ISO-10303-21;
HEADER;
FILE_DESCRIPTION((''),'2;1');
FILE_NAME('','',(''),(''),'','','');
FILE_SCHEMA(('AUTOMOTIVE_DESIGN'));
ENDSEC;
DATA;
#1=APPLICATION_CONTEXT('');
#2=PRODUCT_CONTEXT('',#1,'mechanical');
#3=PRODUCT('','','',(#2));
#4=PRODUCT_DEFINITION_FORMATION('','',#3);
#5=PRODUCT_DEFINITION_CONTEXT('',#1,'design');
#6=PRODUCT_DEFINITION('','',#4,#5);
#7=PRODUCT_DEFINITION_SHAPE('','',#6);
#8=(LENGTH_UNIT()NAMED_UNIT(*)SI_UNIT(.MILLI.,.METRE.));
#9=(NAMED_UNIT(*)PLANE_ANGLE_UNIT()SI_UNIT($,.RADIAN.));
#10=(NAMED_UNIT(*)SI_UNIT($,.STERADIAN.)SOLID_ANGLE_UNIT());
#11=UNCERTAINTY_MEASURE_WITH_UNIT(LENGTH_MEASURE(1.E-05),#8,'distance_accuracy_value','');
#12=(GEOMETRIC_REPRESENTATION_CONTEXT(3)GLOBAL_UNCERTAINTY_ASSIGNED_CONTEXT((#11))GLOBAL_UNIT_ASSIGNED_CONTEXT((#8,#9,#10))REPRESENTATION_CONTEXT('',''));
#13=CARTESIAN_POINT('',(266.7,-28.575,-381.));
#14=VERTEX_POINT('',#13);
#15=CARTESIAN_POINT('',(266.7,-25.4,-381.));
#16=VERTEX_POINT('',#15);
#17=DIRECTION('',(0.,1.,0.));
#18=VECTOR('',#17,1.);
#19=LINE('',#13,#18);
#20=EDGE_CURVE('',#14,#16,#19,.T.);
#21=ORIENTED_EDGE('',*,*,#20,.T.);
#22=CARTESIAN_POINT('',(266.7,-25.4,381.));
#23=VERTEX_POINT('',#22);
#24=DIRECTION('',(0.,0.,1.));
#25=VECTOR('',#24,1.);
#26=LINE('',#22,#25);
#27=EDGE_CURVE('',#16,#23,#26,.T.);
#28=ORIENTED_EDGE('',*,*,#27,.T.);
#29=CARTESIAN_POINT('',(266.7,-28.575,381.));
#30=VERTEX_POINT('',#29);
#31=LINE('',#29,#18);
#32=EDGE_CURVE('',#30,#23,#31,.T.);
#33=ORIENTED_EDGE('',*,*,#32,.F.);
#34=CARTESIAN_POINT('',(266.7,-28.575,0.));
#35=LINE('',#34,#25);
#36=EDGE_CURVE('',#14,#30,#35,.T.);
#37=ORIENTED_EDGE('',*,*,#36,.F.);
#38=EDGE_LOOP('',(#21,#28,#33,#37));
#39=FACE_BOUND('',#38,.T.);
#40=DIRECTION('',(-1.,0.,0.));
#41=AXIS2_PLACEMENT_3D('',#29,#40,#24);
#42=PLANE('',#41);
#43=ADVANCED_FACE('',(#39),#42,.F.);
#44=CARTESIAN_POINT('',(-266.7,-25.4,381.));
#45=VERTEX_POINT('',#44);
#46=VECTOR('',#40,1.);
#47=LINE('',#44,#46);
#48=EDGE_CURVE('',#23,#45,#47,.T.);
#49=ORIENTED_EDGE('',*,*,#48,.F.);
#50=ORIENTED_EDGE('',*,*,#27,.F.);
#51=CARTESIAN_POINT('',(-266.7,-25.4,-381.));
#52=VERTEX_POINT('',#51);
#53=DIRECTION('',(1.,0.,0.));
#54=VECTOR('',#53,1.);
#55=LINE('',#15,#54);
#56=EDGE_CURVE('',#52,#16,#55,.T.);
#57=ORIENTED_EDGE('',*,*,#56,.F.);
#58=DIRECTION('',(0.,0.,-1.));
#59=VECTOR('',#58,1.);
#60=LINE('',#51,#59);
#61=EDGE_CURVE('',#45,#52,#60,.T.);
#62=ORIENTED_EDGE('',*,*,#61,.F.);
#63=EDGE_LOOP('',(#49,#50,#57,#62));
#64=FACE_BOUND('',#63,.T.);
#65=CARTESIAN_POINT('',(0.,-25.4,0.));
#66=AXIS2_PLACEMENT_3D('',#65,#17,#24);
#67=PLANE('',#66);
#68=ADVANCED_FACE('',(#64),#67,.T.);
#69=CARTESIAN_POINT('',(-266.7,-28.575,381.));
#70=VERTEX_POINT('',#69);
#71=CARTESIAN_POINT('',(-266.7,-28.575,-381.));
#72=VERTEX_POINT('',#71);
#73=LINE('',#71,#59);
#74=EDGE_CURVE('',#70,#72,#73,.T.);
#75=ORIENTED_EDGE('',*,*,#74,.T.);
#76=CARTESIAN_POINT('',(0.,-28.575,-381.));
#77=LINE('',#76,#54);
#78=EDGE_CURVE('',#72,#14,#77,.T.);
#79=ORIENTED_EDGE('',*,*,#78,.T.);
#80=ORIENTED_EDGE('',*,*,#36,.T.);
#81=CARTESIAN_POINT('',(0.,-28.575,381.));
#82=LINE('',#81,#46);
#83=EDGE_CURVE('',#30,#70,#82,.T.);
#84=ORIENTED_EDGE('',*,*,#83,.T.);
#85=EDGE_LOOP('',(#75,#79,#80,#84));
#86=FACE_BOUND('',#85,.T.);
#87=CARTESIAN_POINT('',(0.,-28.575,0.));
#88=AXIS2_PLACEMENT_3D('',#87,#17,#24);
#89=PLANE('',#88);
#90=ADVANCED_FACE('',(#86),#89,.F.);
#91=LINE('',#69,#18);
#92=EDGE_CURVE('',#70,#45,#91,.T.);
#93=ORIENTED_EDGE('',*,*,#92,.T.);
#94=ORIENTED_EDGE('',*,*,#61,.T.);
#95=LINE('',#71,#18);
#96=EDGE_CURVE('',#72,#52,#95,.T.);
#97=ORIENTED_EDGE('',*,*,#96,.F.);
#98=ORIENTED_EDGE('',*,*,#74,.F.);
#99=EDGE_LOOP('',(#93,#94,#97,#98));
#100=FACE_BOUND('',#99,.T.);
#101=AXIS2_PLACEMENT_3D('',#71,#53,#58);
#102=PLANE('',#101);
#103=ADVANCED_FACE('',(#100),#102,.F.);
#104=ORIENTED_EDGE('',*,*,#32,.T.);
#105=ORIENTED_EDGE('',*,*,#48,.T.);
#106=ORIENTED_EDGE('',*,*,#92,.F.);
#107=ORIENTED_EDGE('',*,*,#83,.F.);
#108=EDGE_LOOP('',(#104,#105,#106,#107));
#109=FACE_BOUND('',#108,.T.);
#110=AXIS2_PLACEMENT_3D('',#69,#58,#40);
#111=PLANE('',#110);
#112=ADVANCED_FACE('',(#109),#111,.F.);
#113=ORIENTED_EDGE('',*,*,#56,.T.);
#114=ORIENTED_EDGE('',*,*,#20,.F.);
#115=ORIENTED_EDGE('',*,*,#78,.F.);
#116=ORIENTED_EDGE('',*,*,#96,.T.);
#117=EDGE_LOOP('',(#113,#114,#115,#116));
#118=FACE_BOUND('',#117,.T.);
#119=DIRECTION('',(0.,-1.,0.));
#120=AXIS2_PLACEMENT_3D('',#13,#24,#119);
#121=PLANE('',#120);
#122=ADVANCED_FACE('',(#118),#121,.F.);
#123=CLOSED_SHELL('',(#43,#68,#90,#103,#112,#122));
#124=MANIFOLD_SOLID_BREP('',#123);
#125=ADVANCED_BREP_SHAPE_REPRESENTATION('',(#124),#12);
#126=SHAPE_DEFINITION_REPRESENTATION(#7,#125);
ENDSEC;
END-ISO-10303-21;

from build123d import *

# Parameters (mm, degrees)
BOSS_EXTRUDE1_DEPTH = 3.175


with BuildPart() as part:
    # Sketch1 → Boss-Extrude1 (new body)
    with BuildSketch(Plane(origin=(0, -25.4, 0), x_dir=(-1, 0, 0), z_dir=(0, -1, 0))):
        Polygon((-266.7, -381), (-266.7, 0), (-266.7, 381), (0, 381), (266.7, 381), (266.7, -381), (0, -381), align=None)
    extrude(amount=BOSS_EXTRUDE1_DEPTH)


solid = part.part
